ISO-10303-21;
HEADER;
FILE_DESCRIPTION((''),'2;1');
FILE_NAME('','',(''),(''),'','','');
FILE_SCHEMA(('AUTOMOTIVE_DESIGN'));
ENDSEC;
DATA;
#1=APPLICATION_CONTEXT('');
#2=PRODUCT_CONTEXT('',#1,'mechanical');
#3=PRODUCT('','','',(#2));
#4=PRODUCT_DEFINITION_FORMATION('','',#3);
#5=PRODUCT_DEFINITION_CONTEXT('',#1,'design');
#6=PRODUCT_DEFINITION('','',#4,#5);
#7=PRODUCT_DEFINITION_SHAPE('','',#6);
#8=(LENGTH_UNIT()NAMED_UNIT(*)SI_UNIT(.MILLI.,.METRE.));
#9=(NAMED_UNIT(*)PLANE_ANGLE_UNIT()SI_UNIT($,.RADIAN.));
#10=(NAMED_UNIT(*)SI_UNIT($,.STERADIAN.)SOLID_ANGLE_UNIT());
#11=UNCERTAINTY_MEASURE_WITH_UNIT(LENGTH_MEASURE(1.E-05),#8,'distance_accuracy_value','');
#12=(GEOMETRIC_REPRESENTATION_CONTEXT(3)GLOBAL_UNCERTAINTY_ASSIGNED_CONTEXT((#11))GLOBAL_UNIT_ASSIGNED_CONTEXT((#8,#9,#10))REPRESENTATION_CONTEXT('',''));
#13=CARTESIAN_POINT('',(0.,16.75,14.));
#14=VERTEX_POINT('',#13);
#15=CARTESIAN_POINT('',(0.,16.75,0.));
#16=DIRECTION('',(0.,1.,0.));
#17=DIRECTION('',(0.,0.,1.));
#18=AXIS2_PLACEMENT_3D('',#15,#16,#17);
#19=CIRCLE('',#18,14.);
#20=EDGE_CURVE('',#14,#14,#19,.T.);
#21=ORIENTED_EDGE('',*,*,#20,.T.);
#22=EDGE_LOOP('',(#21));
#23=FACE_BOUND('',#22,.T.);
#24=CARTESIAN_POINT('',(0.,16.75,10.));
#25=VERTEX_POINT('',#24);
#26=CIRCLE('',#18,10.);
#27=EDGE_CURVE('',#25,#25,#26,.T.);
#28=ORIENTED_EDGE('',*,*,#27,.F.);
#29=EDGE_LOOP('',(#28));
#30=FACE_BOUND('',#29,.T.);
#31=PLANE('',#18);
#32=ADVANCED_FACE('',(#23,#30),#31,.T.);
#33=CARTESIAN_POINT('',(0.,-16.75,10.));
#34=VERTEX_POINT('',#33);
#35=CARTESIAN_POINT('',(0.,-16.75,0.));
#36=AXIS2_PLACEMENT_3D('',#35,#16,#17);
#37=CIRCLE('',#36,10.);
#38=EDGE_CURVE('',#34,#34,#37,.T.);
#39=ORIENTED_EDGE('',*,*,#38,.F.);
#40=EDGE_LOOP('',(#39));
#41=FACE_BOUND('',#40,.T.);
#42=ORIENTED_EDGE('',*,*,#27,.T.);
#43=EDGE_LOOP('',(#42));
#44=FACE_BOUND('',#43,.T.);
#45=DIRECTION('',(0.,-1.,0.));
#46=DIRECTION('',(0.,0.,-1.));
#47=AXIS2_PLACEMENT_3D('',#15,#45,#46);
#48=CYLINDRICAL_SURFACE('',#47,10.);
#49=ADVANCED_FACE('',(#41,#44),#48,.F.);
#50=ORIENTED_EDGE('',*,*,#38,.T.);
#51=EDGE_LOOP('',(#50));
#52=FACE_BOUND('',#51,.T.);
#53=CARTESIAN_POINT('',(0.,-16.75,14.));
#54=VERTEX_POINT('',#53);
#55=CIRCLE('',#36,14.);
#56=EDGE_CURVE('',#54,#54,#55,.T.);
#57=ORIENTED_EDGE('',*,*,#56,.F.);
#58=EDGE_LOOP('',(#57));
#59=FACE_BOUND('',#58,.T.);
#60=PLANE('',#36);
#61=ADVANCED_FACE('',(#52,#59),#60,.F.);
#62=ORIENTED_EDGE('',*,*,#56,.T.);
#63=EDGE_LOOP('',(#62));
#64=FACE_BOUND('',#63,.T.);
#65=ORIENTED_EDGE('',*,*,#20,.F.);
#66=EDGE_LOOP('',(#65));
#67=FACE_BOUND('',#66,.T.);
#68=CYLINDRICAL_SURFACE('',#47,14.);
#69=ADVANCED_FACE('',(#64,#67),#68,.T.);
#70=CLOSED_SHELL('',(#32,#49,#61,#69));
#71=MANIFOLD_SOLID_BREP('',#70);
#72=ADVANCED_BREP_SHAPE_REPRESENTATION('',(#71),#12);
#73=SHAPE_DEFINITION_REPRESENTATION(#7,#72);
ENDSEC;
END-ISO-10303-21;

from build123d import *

# Parameters (mm, degrees)
CROQUIS1_R              = 14
CROQUIS1_R_2            = 10
SALIENTE_EXTRUIR1_DEPTH = 16.75


with BuildPart() as part:
    # Croquis1 → Saliente-Extruir1 (new, symmetric)
    with BuildSketch(Plane(origin=(0, 0, 0), x_dir=(1, 0, 0), z_dir=(0, 1, 0))):
        with Locations(Location((0, 0, 0), (0, 0, 270))):
            Circle(CROQUIS1_R)
        with Locations(Location((0, 0, 0), (0, 0, 270))):
            Circle(CROQUIS1_R_2, mode=Mode.SUBTRACT)
    extrude(amount=SALIENTE_EXTRUIR1_DEPTH, both=True)


solid = part.part
